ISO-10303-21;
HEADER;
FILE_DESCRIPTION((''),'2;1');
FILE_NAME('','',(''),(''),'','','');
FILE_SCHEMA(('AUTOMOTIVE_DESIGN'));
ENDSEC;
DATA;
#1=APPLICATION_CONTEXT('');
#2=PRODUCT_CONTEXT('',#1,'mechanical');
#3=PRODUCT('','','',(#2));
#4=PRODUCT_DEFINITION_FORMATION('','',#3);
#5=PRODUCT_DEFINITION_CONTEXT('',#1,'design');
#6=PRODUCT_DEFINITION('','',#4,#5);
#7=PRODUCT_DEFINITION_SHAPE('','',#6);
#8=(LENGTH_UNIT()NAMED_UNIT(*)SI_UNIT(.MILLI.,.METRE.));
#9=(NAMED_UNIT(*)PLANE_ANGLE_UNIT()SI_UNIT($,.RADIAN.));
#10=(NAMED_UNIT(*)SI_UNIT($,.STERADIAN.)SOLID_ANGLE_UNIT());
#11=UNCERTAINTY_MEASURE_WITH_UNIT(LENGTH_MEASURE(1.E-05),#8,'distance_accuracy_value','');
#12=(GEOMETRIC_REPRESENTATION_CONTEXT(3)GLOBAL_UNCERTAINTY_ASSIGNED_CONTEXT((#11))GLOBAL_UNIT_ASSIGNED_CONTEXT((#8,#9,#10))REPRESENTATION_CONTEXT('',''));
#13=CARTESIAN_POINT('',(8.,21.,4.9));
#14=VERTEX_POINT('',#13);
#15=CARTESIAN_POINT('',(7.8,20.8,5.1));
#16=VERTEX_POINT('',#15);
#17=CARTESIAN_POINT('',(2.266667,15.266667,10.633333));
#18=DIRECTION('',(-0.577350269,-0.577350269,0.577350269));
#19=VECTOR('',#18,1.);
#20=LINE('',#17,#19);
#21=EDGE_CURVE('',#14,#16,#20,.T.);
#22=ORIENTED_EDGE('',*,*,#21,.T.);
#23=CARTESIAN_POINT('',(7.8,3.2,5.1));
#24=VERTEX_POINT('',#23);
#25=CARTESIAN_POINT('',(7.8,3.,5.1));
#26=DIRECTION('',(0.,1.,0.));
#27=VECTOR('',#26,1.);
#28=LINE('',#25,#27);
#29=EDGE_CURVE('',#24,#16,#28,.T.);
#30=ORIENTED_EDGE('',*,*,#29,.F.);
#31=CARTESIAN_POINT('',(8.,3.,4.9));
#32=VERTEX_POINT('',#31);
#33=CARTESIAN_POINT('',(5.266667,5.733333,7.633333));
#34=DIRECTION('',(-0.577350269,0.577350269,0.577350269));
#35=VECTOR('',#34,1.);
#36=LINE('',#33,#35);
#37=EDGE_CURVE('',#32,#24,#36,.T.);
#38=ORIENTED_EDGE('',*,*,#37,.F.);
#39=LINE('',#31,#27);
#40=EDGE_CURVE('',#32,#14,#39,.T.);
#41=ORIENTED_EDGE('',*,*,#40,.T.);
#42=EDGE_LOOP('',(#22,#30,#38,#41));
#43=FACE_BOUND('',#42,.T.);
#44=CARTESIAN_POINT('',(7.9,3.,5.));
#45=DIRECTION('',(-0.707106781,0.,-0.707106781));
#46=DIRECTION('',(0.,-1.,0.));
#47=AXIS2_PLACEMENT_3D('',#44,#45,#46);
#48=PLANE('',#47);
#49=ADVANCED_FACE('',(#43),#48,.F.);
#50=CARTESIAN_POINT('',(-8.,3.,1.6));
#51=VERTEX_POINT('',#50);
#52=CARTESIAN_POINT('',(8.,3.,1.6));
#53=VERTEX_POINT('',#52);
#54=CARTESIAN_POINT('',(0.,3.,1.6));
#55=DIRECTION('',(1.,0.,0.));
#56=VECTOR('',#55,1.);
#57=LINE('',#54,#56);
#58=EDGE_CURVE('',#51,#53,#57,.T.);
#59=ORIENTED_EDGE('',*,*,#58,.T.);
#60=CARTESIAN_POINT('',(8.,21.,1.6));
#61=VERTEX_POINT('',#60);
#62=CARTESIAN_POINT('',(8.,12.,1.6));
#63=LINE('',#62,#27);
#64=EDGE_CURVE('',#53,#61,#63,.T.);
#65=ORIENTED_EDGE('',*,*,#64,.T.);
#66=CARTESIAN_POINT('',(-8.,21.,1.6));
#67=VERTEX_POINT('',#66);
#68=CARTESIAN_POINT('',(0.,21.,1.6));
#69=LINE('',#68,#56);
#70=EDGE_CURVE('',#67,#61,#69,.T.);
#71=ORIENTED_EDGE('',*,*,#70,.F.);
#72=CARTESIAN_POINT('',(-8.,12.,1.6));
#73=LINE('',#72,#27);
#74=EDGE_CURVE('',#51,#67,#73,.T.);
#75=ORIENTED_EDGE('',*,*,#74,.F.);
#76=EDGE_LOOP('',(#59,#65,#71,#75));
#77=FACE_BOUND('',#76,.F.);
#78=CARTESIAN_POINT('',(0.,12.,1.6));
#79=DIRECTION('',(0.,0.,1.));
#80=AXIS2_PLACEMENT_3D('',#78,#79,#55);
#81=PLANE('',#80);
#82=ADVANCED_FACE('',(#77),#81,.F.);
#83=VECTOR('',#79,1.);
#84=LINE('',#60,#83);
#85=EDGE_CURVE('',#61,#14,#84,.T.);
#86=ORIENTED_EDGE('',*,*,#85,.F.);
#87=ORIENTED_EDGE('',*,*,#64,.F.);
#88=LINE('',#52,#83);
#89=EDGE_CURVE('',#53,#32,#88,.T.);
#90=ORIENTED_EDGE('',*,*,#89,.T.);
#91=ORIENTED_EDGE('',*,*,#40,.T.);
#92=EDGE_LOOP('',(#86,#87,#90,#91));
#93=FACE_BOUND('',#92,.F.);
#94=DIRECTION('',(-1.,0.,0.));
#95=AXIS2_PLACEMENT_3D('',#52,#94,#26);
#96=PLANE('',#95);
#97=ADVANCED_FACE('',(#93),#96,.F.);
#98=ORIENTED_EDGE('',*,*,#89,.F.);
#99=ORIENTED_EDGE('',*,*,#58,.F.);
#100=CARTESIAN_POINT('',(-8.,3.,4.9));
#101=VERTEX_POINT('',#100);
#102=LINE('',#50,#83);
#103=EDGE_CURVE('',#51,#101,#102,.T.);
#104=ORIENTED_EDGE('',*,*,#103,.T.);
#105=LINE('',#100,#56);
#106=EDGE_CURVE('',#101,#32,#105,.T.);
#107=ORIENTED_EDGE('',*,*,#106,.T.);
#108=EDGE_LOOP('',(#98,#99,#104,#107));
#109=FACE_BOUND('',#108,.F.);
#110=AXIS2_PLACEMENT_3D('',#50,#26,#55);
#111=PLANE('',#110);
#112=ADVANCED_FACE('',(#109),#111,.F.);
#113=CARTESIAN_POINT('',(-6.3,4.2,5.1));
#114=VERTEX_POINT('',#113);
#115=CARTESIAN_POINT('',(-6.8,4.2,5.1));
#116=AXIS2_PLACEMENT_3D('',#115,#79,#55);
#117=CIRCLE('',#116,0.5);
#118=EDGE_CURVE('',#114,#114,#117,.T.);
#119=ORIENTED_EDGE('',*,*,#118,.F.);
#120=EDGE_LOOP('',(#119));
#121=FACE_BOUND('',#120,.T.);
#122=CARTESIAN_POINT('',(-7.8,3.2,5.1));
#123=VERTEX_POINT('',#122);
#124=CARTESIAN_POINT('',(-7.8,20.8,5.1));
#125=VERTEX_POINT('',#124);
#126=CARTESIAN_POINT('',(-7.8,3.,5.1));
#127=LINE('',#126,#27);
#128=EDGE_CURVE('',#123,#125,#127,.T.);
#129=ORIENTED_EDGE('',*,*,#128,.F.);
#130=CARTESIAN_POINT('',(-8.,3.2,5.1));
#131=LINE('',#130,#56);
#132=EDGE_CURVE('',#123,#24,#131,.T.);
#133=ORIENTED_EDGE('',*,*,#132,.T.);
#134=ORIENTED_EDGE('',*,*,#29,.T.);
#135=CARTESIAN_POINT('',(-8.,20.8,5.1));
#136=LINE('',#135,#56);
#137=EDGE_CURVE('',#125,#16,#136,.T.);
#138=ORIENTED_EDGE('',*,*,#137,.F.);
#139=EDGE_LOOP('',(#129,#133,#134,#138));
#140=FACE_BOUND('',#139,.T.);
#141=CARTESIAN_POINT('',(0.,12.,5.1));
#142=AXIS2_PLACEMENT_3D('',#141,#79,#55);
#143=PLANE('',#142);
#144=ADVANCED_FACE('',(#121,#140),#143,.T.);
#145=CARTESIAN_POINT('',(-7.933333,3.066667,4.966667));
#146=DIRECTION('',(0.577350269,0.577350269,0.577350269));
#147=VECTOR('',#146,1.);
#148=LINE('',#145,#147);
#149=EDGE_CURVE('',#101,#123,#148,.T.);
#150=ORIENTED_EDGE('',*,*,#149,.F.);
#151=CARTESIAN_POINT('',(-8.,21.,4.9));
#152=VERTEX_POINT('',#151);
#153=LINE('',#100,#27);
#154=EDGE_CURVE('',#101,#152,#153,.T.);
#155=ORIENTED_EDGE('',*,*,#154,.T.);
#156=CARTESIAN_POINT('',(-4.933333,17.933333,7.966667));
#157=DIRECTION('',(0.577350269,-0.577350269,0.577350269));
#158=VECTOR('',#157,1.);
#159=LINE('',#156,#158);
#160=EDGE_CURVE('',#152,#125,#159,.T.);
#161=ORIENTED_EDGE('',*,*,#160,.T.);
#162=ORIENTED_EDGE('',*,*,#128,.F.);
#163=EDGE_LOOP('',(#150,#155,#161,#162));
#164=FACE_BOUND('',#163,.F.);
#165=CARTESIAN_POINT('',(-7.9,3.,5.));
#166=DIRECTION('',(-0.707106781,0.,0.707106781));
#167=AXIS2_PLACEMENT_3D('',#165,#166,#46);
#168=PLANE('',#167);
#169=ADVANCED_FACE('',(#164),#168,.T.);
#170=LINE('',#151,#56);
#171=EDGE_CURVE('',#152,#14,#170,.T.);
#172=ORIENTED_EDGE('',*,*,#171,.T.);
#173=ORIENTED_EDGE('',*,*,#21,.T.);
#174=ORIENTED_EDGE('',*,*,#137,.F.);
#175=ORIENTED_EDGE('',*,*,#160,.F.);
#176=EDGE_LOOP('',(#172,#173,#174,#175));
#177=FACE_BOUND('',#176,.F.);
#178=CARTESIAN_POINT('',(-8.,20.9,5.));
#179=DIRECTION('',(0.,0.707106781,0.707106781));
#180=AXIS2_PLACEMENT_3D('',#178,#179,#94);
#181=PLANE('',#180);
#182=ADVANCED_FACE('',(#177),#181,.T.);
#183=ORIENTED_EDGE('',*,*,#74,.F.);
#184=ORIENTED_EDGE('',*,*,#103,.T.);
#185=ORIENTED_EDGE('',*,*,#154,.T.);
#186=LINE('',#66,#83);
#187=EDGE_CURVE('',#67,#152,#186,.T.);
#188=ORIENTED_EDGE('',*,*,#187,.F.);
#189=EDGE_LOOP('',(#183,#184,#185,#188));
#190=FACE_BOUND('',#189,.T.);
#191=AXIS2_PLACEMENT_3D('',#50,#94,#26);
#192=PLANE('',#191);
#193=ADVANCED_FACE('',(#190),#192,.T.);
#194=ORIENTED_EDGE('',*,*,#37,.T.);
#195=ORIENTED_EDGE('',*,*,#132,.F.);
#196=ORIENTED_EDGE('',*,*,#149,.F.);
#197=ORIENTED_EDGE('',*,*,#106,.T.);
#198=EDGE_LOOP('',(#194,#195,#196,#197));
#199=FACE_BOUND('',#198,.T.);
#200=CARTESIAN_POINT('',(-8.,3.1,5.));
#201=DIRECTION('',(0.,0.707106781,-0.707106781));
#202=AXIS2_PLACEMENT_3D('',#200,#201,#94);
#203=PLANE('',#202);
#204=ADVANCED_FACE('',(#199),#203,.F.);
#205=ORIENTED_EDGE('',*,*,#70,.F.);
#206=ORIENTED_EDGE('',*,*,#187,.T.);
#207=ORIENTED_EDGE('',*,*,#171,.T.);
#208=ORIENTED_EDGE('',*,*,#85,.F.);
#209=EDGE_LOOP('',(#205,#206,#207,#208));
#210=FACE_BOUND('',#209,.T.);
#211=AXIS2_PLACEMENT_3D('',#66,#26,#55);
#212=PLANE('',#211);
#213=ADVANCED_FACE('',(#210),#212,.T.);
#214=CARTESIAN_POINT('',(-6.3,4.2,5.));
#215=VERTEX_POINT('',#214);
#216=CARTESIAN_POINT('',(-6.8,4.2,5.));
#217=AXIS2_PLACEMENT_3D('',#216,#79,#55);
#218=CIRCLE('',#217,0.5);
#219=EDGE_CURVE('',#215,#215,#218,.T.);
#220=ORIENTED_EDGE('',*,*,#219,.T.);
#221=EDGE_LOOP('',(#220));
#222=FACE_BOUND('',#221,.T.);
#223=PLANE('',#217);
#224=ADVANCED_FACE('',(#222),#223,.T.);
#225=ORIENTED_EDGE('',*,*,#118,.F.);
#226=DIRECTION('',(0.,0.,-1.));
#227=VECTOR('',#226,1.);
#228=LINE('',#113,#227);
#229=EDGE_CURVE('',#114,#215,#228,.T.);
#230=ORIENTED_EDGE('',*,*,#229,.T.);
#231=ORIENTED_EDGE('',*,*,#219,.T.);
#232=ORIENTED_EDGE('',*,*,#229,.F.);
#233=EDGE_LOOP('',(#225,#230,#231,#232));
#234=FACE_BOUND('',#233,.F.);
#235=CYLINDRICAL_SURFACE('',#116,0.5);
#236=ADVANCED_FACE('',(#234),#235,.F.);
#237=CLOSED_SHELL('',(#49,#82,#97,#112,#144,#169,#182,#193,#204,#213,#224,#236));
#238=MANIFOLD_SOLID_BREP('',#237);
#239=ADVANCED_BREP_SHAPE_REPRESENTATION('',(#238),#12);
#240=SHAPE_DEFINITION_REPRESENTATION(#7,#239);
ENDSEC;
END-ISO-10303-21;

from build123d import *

# Parameters (mm, degrees)
SKETCH001_W  = 16
SKETCH001_H  = 18
PAD001_DEPTH = 3.5
CHAMFER_SIZE = 0.2
SKETCH002_R  = 0.5
POCKET_DEPTH = 0.1


with BuildPart() as part:
    # Sketch001 (on Face1 of CopyPad) → Pad001 (new body)
    with BuildSketch(Plane.XY.offset(1.6)):
        with Locations((0, 12)):
            Rectangle(SKETCH001_W, SKETCH001_H)
    extrude(amount=PAD001_DEPTH)

    # Chamfer
    chamfer_edges = [part.edges().sort_by_distance(p)[0] for p in [
        (0, 21, 5.1),
        (8, 12, 5.1),
        (0, 3, 5.1),
        (-8, 12, 5.1),
    ]]
    chamfer(chamfer_edges, length=CHAMFER_SIZE)

    # Sketch002 (on Face8 of Chamfer) → Pocket (cut)
    with BuildSketch(Plane.XY.offset(5.1)):
        with Locations((-6.8, 4.2)):
            Circle(SKETCH002_R)
    extrude(amount=-POCKET_DEPTH, mode=Mode.SUBTRACT)


solid = part.part
